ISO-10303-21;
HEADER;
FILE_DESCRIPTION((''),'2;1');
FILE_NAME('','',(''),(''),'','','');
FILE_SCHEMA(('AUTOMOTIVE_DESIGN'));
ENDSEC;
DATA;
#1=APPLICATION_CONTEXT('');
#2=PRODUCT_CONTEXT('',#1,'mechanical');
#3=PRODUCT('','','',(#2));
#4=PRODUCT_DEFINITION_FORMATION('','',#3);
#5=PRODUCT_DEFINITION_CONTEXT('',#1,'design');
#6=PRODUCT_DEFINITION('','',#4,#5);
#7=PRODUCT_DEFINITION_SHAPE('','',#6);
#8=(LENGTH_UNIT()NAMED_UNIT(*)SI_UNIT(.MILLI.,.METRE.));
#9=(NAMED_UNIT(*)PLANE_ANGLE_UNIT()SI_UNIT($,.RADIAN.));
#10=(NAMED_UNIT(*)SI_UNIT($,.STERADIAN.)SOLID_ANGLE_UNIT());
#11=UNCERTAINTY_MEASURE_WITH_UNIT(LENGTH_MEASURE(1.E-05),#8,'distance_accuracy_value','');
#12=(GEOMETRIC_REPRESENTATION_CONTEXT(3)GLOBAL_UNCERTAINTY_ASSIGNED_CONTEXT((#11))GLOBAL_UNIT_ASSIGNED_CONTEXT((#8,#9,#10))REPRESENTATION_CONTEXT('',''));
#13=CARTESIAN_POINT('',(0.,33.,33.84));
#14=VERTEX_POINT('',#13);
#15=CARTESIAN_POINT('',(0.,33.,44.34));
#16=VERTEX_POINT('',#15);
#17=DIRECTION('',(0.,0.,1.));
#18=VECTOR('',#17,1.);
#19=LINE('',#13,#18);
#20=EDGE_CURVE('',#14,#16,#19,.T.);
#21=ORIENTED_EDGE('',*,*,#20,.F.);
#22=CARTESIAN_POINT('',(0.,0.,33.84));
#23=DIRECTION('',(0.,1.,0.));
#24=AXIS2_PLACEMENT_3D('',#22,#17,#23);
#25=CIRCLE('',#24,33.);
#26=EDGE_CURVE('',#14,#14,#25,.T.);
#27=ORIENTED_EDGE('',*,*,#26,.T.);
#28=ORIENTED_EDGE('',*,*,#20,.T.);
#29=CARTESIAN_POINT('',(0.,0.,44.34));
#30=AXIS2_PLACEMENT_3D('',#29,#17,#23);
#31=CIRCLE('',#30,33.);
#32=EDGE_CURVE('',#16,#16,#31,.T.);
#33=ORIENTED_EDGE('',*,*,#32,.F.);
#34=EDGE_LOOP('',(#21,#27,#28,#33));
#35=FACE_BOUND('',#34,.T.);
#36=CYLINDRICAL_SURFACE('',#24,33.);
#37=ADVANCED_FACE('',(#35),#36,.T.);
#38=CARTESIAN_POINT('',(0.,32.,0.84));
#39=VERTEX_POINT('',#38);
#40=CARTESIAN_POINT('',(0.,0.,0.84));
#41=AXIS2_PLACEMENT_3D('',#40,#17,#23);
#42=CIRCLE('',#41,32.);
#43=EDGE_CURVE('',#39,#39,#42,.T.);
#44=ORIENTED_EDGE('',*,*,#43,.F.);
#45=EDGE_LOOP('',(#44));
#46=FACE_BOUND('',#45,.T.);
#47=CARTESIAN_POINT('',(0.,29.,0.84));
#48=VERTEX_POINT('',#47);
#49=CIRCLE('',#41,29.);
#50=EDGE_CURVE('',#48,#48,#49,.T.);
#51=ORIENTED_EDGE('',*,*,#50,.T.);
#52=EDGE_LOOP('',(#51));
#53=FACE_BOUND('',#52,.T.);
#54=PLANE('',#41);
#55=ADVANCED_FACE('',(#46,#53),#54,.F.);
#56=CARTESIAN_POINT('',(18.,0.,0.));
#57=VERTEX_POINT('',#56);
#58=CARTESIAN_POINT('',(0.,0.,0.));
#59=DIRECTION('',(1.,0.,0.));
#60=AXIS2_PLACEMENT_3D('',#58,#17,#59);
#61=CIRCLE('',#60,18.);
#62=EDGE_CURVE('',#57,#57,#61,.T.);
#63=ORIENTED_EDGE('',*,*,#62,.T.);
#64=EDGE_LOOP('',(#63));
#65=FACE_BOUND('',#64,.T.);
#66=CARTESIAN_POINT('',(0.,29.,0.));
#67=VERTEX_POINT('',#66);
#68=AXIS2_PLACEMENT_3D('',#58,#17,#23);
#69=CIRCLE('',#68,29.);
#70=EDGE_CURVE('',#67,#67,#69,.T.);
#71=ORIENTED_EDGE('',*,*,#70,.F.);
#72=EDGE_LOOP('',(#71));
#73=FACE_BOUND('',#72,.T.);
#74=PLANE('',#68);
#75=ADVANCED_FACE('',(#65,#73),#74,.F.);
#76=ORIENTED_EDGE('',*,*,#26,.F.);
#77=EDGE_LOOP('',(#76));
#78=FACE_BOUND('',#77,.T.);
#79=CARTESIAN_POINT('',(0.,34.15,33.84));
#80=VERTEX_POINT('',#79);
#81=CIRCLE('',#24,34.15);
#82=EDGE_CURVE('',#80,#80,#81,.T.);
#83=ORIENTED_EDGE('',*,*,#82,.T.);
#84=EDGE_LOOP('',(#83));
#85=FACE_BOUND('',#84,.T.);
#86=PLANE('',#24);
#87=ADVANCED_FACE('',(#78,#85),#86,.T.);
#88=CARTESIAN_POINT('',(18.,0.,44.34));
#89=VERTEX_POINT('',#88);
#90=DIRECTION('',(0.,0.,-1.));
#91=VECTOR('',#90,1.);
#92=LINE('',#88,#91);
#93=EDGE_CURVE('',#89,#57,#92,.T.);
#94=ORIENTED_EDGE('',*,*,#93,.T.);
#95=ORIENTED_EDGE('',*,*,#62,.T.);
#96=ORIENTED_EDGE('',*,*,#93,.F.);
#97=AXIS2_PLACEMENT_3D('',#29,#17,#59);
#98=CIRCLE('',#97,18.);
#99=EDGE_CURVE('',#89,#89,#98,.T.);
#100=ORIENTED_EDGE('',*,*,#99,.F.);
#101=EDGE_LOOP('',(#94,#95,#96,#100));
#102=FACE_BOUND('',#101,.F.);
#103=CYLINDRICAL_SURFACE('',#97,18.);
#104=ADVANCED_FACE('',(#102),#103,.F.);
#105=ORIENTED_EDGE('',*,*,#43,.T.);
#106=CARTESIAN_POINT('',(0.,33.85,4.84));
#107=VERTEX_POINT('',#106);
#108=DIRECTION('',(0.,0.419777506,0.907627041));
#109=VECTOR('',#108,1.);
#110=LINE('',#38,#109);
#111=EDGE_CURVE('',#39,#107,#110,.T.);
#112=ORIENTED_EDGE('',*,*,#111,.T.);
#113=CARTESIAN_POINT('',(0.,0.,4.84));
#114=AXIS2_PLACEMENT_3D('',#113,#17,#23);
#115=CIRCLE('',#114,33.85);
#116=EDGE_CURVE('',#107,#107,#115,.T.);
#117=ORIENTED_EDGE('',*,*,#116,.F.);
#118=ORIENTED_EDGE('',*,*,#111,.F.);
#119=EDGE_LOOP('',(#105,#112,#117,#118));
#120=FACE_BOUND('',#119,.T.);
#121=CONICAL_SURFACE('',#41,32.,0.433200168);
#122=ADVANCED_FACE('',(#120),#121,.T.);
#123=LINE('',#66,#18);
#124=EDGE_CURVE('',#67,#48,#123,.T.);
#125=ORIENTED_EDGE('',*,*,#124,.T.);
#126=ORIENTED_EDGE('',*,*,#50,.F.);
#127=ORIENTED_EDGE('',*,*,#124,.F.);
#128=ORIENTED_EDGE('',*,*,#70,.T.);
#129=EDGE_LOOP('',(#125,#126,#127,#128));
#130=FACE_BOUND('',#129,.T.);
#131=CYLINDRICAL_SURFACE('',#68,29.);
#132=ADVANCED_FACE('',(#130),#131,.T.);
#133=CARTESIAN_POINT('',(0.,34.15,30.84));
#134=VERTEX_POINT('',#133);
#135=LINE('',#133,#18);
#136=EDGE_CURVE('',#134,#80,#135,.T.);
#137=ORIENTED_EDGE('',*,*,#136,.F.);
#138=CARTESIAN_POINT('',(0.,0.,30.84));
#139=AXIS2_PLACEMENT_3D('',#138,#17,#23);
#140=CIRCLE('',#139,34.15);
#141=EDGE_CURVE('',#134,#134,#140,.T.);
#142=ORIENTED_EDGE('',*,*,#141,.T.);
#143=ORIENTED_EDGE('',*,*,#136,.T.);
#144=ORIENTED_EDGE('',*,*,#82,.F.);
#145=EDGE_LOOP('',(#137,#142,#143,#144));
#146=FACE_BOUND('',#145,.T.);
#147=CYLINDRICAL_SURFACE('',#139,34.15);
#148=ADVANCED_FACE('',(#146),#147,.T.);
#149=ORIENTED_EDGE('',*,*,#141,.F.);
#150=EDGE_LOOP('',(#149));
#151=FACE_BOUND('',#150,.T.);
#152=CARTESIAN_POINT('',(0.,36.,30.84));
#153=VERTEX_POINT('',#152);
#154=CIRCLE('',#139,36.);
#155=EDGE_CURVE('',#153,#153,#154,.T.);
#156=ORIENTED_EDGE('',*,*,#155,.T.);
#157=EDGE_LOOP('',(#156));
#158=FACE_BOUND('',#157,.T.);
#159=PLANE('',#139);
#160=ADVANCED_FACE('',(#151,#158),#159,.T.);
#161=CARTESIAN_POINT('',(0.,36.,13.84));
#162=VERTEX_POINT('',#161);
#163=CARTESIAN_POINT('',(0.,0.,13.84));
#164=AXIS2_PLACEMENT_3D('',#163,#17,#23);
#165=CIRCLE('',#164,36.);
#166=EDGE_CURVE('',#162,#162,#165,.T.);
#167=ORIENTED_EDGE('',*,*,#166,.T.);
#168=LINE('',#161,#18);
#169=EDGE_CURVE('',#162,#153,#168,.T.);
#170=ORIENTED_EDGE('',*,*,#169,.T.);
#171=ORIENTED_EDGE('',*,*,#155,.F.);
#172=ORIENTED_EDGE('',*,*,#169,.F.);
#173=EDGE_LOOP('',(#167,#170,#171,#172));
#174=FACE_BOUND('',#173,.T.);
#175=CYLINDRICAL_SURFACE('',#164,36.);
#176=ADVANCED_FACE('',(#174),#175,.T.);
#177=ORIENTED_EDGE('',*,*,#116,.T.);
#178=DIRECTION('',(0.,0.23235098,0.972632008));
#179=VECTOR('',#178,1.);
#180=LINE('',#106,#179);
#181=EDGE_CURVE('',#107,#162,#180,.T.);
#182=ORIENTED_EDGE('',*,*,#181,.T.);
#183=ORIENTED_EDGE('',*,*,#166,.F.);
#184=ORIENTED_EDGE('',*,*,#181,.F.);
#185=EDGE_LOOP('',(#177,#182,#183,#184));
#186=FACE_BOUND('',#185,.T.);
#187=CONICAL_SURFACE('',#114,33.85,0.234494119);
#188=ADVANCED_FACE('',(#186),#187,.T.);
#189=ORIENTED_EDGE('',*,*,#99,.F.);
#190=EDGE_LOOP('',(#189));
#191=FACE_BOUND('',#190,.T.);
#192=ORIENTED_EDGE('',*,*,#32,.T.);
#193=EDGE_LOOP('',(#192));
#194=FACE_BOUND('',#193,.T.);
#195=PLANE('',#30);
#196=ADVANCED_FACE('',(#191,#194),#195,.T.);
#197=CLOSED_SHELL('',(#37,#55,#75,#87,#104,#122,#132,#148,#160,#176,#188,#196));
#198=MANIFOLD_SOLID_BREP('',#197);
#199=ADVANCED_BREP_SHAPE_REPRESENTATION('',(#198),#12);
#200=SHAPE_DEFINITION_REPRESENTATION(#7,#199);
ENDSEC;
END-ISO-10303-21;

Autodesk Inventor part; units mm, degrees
ref_plane "YZ Plane" through (0, 0, 0) normal (1, 0, 0) x (0, 1, 0)
ref_plane "XZ Plane" through (0, 0, 0) normal (0, 1, 0) x (-1, 0, 0)
ref_plane "XY Plane" through (0, 0, 0) normal (0, 0, 1) x (1, 0, 0)
sketch "Sketch1" plane through (0, 0, 0) normal (1, 0, 0) x (0, 1, 0)
  line L0 (0, -8.868) -> (0, 53.208) construction
  line L1 (-7.2, 0) -> (43.2, 0) construction
  line L2 (0, 0) -> (29, 0)
  line L3 (29, 0) -> (29, 0.84)
  line L4 (29, 0.84) -> (32, 0.84)
  line L5 (32, 0.84) -> (33.85, 4.84)
  line L6 (33.85, 4.84) -> (36, 13.84)
  line L7 (36, 13.84) -> (36, 30.84)
  line L8 (36, 30.84) -> (34.15, 30.84)
  line L9 (34.15, 30.84) -> (34.15, 33.84)
  line L10 (34.15, 33.84) -> (33, 33.84)
  line L11 (33, 33.84) -> (33, 44.34)
  line L12 (33, 44.34) -> (0, 44.34)
  line L13 (0, 44.34) -> (0, 0)
  dimension "d2" = 58
  dimension "d3" = 0.84
  dimension "d5" = 64
  dimension "d6" = 4
  dimension "d7" = 67.7
  dimension "d8" = 72
  dimension "d9" = 9
  dimension "d10" = 17
  dimension "d11" = 3
  dimension "d12" = 68.3
  dimension "d13" = 10.5
  dimension "d14" = 66
revolve "Revolution1" add sketch "Sketch1" angle 360 about axis through (0, 0, -10) along (0, 0, 1)
sketch "Sketch4" plane through (0, 0, 44.34) normal (0, 0, 1) x (1, 0, 0)
  circle A0 centre (0, 0) radius 18
  dimension "d19" = 36
extrude "Extrusion1" cut sketch "Sketch4" against normal up to next
properties part number "50mm_1_4G_body_disassembled" material "Iron, Cast"
